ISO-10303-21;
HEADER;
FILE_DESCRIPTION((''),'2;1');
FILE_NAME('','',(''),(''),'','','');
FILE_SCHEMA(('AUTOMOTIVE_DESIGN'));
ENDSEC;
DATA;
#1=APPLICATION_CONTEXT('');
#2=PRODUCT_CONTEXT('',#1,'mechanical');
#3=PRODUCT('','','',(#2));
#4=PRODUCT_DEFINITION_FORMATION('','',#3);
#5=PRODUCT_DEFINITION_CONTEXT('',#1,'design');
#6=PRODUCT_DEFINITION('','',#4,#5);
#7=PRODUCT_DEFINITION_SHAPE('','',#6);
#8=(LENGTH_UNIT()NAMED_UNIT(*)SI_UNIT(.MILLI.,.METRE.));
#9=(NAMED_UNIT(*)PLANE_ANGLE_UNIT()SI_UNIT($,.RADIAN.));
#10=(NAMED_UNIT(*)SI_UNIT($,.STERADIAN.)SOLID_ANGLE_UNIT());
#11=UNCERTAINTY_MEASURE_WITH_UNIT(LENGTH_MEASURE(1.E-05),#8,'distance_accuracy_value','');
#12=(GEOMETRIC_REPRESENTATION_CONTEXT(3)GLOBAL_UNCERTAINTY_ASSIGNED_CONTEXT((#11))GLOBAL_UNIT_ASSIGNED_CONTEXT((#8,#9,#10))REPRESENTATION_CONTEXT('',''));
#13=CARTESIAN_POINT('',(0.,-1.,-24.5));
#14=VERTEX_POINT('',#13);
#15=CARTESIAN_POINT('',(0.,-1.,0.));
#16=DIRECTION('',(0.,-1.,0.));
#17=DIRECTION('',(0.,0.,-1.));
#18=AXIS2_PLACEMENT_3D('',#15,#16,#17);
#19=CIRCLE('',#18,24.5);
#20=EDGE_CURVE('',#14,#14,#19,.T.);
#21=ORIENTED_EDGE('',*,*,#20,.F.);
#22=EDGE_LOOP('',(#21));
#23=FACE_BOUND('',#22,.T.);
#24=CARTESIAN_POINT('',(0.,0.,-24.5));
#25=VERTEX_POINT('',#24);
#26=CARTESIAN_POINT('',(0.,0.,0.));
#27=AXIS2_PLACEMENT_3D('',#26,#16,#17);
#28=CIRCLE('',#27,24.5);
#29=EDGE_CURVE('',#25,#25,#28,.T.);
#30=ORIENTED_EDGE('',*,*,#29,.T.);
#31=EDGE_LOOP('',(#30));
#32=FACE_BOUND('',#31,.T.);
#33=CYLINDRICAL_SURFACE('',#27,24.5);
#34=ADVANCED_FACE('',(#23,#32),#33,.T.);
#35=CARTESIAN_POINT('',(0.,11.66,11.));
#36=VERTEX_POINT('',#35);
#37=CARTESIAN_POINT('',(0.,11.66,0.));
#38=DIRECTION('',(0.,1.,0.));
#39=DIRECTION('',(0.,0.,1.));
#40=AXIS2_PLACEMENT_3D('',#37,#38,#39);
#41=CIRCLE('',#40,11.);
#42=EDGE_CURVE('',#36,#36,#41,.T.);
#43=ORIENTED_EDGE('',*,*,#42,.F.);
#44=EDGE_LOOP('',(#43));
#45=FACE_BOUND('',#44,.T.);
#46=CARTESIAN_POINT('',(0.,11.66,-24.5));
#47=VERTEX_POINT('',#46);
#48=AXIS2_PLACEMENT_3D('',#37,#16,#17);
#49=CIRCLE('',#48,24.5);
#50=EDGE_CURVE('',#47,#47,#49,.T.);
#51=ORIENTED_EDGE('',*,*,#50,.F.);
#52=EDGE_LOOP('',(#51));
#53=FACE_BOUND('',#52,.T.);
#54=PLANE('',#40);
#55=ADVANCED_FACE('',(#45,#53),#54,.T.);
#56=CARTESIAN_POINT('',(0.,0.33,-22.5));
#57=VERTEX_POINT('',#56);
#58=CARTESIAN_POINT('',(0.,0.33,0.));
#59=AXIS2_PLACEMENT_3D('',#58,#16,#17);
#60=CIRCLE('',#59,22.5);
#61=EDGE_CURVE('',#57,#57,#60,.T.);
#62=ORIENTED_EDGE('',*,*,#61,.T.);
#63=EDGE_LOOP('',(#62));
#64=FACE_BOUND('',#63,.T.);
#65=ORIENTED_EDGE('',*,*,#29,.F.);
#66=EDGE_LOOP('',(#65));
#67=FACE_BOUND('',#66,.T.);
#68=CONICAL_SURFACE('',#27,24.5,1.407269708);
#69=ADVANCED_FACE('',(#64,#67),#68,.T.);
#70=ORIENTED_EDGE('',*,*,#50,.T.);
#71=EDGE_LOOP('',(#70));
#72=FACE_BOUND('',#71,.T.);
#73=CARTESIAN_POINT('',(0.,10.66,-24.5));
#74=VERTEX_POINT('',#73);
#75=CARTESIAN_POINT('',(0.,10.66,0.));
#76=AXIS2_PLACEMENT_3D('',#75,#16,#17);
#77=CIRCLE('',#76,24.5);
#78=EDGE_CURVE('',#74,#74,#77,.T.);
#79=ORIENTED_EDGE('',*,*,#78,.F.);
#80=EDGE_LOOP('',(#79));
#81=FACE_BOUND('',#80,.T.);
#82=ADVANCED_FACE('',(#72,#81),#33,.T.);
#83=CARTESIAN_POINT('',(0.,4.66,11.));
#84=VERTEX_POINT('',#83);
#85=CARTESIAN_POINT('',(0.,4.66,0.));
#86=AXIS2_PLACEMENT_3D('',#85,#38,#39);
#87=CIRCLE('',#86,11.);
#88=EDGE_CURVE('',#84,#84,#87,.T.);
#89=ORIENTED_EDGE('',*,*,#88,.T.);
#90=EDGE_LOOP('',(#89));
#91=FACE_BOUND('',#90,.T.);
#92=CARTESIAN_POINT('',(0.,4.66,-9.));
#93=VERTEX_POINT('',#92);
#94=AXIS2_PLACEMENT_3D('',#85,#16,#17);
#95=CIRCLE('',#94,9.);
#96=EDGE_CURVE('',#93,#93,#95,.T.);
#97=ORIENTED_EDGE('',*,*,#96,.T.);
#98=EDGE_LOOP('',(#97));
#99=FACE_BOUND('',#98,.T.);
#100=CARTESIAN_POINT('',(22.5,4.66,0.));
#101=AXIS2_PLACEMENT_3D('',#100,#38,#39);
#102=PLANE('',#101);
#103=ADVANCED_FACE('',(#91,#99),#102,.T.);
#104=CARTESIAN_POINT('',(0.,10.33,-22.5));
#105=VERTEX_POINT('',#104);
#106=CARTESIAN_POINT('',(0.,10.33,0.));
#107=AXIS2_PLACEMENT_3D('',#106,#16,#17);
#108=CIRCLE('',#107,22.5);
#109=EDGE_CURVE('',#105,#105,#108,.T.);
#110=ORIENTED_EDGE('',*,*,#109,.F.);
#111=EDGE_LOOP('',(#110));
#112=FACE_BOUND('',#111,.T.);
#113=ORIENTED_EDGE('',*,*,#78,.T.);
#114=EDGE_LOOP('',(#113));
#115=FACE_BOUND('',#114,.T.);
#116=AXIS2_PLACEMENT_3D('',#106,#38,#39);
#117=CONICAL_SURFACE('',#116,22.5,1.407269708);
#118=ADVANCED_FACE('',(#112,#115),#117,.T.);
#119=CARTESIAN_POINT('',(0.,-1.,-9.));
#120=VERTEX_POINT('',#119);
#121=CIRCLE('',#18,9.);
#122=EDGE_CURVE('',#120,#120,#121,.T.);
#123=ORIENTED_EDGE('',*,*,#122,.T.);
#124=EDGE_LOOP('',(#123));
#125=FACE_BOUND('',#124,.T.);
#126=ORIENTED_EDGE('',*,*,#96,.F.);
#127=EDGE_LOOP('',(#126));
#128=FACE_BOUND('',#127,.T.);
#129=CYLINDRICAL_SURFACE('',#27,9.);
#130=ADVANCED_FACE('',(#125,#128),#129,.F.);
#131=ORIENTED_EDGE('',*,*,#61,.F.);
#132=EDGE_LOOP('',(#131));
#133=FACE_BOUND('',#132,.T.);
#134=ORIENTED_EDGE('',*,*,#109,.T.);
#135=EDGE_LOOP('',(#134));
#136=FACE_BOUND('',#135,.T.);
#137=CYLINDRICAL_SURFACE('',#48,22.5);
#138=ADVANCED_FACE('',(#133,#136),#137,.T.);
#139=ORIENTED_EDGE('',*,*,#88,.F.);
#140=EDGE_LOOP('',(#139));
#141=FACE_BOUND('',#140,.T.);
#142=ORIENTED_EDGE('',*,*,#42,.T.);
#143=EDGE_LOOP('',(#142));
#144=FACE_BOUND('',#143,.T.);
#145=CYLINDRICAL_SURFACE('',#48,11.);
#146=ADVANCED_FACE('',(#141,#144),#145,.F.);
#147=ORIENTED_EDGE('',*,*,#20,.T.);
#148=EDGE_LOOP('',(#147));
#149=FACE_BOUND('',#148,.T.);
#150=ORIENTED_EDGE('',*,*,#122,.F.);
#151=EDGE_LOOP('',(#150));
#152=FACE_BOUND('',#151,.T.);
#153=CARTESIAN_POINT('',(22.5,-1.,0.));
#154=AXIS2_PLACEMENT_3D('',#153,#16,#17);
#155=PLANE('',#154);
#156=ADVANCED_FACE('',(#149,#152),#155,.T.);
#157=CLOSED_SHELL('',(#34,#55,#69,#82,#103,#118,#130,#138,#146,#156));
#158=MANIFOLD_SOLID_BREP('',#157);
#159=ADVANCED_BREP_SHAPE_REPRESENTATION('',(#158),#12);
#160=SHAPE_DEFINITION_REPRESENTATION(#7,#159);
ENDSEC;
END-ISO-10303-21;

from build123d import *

# Parameters (mm, degrees)
SKETCH1_R           = 22.5
SKETCH1_R_2         = 11
BOSS_EXTRUDE1_DEPTH = 11.66


with BuildPart() as part:
    # Sketch1 → Boss-Extrude1 (new body)
    with BuildSketch(Plane(origin=(0, 0, 0), x_dir=(1, 0, 0), z_dir=(0, 1, 0))):
        Circle(SKETCH1_R)
        Circle(SKETCH1_R_2, mode=Mode.SUBTRACT)
    extrude(amount=BOSS_EXTRUDE1_DEPTH)

    # Sketch2 → Revolve1 (revolve)
    with BuildSketch(Plane.XY):
        Polygon((22.5, 11.66), (24.5, 11.66), (24.5, 10.66), (22.5, 10.33), align=None)
        Polygon((22.5, 0.33), (24.5, 0), (24.5, -1), (22.5, -1), (9, -1), (9, 0.33), (9, 4.66), (22.5, 4.66), align=None)
    revolve(axis=Axis((0, 0, 0), (0, 1, 0)))


solid = part.part
